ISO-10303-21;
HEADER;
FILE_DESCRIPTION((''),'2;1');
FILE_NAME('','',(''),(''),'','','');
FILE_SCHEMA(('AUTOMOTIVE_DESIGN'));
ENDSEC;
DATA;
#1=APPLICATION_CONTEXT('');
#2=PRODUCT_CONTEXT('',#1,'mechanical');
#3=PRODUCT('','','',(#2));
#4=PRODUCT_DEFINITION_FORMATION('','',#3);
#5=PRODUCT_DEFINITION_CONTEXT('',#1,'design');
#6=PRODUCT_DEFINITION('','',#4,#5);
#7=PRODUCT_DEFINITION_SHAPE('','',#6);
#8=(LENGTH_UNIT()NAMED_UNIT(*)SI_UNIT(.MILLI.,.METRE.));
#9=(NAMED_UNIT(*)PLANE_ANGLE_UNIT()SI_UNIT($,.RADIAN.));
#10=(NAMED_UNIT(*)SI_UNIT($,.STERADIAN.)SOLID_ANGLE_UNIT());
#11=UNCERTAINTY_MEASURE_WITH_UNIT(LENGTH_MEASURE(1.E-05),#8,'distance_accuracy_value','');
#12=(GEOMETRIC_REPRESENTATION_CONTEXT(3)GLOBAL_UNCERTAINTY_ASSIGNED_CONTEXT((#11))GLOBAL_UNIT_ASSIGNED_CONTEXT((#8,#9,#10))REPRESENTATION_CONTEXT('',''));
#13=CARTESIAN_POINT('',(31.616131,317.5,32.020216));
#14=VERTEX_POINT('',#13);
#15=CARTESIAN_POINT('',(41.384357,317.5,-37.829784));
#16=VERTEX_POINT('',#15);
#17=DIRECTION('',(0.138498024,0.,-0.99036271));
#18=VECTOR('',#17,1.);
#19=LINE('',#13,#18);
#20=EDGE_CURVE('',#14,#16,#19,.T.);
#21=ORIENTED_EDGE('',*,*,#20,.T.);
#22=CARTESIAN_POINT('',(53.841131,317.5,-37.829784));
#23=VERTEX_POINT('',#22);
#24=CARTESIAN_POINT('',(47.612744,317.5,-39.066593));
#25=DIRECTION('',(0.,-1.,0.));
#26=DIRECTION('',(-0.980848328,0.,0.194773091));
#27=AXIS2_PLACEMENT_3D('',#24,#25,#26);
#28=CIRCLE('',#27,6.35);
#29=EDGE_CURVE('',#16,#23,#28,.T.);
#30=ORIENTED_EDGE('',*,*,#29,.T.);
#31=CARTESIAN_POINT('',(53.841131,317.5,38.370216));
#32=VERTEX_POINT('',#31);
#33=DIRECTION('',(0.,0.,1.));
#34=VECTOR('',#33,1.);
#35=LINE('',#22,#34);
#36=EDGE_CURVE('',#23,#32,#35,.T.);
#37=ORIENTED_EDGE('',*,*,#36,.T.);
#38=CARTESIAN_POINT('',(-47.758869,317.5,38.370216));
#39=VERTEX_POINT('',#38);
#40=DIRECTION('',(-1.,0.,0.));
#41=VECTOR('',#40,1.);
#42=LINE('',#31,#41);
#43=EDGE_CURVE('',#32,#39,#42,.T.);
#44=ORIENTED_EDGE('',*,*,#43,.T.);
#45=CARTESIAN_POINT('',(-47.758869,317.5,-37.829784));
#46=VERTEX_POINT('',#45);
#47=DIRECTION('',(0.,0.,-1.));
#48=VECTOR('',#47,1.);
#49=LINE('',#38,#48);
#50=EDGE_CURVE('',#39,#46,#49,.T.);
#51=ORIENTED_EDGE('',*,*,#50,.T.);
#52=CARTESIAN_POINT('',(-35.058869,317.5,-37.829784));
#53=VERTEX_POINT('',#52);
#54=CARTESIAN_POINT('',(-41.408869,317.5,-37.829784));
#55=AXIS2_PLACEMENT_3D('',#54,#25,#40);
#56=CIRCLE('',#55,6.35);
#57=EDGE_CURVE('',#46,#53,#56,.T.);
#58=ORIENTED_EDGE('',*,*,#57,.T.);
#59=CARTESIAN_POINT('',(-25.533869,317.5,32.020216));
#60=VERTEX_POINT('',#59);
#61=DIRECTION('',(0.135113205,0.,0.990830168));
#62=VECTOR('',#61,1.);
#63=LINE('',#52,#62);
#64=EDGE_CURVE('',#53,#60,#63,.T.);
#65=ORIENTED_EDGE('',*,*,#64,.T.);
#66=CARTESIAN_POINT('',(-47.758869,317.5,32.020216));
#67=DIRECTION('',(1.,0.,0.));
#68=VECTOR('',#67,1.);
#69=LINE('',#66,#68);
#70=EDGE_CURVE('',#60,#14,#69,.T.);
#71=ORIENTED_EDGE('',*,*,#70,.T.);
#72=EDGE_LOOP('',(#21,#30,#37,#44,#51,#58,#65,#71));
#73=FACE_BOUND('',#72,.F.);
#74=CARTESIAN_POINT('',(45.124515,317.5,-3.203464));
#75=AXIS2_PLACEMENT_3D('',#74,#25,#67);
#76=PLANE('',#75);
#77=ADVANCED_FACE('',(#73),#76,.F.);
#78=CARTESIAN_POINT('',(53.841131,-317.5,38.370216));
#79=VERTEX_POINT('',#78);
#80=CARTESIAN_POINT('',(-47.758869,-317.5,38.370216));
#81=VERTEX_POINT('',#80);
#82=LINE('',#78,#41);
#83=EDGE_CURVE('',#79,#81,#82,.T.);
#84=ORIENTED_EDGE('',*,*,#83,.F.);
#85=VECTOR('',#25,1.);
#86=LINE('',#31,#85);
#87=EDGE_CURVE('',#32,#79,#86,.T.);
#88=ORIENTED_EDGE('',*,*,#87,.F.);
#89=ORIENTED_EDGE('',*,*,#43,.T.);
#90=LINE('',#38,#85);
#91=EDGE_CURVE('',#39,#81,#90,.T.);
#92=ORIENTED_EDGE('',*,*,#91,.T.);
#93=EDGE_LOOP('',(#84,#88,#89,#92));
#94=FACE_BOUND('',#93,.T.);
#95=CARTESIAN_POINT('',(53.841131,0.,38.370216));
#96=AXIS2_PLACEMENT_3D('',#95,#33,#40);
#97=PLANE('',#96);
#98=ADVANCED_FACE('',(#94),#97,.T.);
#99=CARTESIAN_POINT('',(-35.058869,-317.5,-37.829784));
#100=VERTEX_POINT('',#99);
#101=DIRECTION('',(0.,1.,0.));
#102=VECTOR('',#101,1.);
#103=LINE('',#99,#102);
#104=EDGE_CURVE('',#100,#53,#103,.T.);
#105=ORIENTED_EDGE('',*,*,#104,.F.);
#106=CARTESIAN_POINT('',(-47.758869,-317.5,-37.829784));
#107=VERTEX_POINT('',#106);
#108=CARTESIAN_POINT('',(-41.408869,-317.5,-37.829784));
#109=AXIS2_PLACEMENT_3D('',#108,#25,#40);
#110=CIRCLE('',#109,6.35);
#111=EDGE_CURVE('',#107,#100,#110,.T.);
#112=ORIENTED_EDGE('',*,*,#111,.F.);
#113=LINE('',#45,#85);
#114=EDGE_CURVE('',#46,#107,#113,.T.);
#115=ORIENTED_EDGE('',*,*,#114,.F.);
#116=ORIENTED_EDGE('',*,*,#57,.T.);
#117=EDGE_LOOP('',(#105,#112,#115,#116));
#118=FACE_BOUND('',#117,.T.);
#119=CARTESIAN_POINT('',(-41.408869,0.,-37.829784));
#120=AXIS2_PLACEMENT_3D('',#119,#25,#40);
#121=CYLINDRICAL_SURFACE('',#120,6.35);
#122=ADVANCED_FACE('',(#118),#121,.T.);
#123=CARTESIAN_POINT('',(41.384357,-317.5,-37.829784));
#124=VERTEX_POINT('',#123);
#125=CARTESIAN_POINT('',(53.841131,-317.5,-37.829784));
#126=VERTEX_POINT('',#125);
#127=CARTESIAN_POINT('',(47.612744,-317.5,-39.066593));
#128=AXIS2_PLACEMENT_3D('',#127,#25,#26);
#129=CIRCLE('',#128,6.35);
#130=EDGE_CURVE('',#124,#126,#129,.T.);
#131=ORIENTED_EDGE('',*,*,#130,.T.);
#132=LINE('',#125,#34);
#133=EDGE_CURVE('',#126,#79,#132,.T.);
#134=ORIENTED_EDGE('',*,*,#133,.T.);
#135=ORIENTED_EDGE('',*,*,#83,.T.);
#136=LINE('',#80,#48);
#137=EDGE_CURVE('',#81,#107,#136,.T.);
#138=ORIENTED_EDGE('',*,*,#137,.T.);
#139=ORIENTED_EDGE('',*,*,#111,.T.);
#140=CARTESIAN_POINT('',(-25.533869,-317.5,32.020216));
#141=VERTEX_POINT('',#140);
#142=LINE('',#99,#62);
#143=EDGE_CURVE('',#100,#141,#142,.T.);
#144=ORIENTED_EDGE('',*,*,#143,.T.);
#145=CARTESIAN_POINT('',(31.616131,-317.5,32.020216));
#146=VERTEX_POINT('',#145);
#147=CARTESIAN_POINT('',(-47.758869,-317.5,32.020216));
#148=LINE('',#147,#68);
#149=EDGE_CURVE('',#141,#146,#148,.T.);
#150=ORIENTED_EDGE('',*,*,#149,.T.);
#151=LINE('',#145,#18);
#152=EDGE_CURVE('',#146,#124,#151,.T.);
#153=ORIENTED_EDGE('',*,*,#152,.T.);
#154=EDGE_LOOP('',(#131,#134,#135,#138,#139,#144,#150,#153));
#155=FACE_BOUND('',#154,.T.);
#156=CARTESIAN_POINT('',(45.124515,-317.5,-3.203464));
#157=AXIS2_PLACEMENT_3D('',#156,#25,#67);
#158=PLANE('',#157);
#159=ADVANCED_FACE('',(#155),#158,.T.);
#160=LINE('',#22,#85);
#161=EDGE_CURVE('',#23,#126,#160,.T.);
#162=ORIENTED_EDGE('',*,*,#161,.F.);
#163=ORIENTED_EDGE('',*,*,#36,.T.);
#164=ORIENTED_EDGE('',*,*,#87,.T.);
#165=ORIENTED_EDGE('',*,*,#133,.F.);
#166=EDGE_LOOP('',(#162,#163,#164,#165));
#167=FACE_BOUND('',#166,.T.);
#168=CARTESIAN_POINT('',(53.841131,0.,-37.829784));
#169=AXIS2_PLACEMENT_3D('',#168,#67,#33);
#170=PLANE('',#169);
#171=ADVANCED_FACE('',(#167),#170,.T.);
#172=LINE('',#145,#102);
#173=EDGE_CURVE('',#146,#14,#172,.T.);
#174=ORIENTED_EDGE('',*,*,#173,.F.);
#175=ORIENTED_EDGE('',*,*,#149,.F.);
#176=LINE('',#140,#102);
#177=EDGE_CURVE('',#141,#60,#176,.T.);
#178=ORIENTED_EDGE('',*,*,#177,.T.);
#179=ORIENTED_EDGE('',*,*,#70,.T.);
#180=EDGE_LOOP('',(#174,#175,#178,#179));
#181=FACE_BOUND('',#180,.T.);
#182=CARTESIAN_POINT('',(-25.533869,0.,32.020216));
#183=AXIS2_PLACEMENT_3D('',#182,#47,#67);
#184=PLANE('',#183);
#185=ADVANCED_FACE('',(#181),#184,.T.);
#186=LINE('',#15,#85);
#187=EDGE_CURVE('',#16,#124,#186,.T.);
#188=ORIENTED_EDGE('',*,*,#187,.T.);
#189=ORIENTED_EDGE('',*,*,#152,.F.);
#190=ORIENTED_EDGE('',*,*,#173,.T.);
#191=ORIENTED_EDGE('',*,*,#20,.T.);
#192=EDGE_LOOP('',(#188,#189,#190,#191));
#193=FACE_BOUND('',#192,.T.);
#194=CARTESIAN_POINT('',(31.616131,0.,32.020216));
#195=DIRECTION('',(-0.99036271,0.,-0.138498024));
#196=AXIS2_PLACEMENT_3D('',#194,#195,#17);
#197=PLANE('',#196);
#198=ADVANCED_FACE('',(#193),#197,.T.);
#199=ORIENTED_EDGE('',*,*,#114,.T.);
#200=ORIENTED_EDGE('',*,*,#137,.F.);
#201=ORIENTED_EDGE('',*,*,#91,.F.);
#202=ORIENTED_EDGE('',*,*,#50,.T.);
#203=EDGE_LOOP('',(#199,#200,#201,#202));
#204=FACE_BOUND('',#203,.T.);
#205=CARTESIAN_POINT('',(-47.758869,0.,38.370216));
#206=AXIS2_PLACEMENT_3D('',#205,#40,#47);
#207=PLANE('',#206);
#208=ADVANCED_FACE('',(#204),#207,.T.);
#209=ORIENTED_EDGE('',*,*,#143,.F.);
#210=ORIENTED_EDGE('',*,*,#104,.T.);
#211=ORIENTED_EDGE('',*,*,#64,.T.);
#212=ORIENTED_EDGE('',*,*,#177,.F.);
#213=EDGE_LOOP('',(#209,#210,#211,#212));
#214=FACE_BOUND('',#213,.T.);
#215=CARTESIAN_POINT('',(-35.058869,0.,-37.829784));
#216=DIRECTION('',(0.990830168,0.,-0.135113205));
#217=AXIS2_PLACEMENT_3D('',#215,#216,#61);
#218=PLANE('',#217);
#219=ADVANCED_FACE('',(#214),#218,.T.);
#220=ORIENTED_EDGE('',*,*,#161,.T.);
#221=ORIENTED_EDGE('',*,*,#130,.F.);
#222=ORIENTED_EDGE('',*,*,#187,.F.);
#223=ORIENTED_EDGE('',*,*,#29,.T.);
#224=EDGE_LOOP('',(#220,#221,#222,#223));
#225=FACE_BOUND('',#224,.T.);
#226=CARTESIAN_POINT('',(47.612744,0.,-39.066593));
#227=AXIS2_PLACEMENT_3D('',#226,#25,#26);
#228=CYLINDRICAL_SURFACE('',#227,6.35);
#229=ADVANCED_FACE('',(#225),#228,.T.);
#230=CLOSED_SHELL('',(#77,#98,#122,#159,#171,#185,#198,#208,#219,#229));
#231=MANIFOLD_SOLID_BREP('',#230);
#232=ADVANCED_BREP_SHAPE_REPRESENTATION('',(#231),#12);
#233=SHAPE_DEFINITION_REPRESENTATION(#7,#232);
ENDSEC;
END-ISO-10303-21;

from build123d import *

# Parameters (mm, degrees)
F1_DEPTH = 317.5


with BuildPart() as f1:
    # F0 (on Front) → F1 (new body, symmetric)
    with BuildSketch(Plane.XZ):
        with BuildLine():
            Line((53.8411306598, 32.0202162549), (31.6161306598, 32.0202162549))
            Line((31.6161306598, 32.0202162549), (41.3843568915, -37.8297837451))
            ThreePointArc((41.3843568915, -37.8297837451), (47.6127437756, -45.416592874), (53.8411306598, -37.8297837451))
            Line((53.8411306598, -37.8297837451), (53.8411306598, 32.0202162549))
        make_face()
        Polygon((3.0411306598, 38.3702162549), (3.0411306598, 32.0202162549), (31.6161306598, 32.0202162549), (53.8411306598, 32.0202162549), (53.8411306598, 38.3702162549), align=None)
        Polygon((-47.7588693402, 38.3702162549), (-47.7588693402, 32.0202162549), (-25.5338693402, 32.0202162549), (3.0411306598, 32.0202162549), (3.0411306598, 38.3702162549), align=None)
        with BuildLine():
            Line((-25.5338693402, 32.0202162549), (-47.7588693402, 32.0202162549))
            Line((-47.7588693402, 32.0202162549), (-47.7588693402, -37.8297837451))
            ThreePointArc((-47.7588693402, -37.8297837451), (-41.4088693402, -44.1797837451), (-35.0588693402, -37.8297837451))
            Line((-35.0588693402, -37.8297837451), (-25.5338693402, 32.0202162549))
        make_face()
    extrude(amount=F1_DEPTH, both=True)


solid = f1.part
